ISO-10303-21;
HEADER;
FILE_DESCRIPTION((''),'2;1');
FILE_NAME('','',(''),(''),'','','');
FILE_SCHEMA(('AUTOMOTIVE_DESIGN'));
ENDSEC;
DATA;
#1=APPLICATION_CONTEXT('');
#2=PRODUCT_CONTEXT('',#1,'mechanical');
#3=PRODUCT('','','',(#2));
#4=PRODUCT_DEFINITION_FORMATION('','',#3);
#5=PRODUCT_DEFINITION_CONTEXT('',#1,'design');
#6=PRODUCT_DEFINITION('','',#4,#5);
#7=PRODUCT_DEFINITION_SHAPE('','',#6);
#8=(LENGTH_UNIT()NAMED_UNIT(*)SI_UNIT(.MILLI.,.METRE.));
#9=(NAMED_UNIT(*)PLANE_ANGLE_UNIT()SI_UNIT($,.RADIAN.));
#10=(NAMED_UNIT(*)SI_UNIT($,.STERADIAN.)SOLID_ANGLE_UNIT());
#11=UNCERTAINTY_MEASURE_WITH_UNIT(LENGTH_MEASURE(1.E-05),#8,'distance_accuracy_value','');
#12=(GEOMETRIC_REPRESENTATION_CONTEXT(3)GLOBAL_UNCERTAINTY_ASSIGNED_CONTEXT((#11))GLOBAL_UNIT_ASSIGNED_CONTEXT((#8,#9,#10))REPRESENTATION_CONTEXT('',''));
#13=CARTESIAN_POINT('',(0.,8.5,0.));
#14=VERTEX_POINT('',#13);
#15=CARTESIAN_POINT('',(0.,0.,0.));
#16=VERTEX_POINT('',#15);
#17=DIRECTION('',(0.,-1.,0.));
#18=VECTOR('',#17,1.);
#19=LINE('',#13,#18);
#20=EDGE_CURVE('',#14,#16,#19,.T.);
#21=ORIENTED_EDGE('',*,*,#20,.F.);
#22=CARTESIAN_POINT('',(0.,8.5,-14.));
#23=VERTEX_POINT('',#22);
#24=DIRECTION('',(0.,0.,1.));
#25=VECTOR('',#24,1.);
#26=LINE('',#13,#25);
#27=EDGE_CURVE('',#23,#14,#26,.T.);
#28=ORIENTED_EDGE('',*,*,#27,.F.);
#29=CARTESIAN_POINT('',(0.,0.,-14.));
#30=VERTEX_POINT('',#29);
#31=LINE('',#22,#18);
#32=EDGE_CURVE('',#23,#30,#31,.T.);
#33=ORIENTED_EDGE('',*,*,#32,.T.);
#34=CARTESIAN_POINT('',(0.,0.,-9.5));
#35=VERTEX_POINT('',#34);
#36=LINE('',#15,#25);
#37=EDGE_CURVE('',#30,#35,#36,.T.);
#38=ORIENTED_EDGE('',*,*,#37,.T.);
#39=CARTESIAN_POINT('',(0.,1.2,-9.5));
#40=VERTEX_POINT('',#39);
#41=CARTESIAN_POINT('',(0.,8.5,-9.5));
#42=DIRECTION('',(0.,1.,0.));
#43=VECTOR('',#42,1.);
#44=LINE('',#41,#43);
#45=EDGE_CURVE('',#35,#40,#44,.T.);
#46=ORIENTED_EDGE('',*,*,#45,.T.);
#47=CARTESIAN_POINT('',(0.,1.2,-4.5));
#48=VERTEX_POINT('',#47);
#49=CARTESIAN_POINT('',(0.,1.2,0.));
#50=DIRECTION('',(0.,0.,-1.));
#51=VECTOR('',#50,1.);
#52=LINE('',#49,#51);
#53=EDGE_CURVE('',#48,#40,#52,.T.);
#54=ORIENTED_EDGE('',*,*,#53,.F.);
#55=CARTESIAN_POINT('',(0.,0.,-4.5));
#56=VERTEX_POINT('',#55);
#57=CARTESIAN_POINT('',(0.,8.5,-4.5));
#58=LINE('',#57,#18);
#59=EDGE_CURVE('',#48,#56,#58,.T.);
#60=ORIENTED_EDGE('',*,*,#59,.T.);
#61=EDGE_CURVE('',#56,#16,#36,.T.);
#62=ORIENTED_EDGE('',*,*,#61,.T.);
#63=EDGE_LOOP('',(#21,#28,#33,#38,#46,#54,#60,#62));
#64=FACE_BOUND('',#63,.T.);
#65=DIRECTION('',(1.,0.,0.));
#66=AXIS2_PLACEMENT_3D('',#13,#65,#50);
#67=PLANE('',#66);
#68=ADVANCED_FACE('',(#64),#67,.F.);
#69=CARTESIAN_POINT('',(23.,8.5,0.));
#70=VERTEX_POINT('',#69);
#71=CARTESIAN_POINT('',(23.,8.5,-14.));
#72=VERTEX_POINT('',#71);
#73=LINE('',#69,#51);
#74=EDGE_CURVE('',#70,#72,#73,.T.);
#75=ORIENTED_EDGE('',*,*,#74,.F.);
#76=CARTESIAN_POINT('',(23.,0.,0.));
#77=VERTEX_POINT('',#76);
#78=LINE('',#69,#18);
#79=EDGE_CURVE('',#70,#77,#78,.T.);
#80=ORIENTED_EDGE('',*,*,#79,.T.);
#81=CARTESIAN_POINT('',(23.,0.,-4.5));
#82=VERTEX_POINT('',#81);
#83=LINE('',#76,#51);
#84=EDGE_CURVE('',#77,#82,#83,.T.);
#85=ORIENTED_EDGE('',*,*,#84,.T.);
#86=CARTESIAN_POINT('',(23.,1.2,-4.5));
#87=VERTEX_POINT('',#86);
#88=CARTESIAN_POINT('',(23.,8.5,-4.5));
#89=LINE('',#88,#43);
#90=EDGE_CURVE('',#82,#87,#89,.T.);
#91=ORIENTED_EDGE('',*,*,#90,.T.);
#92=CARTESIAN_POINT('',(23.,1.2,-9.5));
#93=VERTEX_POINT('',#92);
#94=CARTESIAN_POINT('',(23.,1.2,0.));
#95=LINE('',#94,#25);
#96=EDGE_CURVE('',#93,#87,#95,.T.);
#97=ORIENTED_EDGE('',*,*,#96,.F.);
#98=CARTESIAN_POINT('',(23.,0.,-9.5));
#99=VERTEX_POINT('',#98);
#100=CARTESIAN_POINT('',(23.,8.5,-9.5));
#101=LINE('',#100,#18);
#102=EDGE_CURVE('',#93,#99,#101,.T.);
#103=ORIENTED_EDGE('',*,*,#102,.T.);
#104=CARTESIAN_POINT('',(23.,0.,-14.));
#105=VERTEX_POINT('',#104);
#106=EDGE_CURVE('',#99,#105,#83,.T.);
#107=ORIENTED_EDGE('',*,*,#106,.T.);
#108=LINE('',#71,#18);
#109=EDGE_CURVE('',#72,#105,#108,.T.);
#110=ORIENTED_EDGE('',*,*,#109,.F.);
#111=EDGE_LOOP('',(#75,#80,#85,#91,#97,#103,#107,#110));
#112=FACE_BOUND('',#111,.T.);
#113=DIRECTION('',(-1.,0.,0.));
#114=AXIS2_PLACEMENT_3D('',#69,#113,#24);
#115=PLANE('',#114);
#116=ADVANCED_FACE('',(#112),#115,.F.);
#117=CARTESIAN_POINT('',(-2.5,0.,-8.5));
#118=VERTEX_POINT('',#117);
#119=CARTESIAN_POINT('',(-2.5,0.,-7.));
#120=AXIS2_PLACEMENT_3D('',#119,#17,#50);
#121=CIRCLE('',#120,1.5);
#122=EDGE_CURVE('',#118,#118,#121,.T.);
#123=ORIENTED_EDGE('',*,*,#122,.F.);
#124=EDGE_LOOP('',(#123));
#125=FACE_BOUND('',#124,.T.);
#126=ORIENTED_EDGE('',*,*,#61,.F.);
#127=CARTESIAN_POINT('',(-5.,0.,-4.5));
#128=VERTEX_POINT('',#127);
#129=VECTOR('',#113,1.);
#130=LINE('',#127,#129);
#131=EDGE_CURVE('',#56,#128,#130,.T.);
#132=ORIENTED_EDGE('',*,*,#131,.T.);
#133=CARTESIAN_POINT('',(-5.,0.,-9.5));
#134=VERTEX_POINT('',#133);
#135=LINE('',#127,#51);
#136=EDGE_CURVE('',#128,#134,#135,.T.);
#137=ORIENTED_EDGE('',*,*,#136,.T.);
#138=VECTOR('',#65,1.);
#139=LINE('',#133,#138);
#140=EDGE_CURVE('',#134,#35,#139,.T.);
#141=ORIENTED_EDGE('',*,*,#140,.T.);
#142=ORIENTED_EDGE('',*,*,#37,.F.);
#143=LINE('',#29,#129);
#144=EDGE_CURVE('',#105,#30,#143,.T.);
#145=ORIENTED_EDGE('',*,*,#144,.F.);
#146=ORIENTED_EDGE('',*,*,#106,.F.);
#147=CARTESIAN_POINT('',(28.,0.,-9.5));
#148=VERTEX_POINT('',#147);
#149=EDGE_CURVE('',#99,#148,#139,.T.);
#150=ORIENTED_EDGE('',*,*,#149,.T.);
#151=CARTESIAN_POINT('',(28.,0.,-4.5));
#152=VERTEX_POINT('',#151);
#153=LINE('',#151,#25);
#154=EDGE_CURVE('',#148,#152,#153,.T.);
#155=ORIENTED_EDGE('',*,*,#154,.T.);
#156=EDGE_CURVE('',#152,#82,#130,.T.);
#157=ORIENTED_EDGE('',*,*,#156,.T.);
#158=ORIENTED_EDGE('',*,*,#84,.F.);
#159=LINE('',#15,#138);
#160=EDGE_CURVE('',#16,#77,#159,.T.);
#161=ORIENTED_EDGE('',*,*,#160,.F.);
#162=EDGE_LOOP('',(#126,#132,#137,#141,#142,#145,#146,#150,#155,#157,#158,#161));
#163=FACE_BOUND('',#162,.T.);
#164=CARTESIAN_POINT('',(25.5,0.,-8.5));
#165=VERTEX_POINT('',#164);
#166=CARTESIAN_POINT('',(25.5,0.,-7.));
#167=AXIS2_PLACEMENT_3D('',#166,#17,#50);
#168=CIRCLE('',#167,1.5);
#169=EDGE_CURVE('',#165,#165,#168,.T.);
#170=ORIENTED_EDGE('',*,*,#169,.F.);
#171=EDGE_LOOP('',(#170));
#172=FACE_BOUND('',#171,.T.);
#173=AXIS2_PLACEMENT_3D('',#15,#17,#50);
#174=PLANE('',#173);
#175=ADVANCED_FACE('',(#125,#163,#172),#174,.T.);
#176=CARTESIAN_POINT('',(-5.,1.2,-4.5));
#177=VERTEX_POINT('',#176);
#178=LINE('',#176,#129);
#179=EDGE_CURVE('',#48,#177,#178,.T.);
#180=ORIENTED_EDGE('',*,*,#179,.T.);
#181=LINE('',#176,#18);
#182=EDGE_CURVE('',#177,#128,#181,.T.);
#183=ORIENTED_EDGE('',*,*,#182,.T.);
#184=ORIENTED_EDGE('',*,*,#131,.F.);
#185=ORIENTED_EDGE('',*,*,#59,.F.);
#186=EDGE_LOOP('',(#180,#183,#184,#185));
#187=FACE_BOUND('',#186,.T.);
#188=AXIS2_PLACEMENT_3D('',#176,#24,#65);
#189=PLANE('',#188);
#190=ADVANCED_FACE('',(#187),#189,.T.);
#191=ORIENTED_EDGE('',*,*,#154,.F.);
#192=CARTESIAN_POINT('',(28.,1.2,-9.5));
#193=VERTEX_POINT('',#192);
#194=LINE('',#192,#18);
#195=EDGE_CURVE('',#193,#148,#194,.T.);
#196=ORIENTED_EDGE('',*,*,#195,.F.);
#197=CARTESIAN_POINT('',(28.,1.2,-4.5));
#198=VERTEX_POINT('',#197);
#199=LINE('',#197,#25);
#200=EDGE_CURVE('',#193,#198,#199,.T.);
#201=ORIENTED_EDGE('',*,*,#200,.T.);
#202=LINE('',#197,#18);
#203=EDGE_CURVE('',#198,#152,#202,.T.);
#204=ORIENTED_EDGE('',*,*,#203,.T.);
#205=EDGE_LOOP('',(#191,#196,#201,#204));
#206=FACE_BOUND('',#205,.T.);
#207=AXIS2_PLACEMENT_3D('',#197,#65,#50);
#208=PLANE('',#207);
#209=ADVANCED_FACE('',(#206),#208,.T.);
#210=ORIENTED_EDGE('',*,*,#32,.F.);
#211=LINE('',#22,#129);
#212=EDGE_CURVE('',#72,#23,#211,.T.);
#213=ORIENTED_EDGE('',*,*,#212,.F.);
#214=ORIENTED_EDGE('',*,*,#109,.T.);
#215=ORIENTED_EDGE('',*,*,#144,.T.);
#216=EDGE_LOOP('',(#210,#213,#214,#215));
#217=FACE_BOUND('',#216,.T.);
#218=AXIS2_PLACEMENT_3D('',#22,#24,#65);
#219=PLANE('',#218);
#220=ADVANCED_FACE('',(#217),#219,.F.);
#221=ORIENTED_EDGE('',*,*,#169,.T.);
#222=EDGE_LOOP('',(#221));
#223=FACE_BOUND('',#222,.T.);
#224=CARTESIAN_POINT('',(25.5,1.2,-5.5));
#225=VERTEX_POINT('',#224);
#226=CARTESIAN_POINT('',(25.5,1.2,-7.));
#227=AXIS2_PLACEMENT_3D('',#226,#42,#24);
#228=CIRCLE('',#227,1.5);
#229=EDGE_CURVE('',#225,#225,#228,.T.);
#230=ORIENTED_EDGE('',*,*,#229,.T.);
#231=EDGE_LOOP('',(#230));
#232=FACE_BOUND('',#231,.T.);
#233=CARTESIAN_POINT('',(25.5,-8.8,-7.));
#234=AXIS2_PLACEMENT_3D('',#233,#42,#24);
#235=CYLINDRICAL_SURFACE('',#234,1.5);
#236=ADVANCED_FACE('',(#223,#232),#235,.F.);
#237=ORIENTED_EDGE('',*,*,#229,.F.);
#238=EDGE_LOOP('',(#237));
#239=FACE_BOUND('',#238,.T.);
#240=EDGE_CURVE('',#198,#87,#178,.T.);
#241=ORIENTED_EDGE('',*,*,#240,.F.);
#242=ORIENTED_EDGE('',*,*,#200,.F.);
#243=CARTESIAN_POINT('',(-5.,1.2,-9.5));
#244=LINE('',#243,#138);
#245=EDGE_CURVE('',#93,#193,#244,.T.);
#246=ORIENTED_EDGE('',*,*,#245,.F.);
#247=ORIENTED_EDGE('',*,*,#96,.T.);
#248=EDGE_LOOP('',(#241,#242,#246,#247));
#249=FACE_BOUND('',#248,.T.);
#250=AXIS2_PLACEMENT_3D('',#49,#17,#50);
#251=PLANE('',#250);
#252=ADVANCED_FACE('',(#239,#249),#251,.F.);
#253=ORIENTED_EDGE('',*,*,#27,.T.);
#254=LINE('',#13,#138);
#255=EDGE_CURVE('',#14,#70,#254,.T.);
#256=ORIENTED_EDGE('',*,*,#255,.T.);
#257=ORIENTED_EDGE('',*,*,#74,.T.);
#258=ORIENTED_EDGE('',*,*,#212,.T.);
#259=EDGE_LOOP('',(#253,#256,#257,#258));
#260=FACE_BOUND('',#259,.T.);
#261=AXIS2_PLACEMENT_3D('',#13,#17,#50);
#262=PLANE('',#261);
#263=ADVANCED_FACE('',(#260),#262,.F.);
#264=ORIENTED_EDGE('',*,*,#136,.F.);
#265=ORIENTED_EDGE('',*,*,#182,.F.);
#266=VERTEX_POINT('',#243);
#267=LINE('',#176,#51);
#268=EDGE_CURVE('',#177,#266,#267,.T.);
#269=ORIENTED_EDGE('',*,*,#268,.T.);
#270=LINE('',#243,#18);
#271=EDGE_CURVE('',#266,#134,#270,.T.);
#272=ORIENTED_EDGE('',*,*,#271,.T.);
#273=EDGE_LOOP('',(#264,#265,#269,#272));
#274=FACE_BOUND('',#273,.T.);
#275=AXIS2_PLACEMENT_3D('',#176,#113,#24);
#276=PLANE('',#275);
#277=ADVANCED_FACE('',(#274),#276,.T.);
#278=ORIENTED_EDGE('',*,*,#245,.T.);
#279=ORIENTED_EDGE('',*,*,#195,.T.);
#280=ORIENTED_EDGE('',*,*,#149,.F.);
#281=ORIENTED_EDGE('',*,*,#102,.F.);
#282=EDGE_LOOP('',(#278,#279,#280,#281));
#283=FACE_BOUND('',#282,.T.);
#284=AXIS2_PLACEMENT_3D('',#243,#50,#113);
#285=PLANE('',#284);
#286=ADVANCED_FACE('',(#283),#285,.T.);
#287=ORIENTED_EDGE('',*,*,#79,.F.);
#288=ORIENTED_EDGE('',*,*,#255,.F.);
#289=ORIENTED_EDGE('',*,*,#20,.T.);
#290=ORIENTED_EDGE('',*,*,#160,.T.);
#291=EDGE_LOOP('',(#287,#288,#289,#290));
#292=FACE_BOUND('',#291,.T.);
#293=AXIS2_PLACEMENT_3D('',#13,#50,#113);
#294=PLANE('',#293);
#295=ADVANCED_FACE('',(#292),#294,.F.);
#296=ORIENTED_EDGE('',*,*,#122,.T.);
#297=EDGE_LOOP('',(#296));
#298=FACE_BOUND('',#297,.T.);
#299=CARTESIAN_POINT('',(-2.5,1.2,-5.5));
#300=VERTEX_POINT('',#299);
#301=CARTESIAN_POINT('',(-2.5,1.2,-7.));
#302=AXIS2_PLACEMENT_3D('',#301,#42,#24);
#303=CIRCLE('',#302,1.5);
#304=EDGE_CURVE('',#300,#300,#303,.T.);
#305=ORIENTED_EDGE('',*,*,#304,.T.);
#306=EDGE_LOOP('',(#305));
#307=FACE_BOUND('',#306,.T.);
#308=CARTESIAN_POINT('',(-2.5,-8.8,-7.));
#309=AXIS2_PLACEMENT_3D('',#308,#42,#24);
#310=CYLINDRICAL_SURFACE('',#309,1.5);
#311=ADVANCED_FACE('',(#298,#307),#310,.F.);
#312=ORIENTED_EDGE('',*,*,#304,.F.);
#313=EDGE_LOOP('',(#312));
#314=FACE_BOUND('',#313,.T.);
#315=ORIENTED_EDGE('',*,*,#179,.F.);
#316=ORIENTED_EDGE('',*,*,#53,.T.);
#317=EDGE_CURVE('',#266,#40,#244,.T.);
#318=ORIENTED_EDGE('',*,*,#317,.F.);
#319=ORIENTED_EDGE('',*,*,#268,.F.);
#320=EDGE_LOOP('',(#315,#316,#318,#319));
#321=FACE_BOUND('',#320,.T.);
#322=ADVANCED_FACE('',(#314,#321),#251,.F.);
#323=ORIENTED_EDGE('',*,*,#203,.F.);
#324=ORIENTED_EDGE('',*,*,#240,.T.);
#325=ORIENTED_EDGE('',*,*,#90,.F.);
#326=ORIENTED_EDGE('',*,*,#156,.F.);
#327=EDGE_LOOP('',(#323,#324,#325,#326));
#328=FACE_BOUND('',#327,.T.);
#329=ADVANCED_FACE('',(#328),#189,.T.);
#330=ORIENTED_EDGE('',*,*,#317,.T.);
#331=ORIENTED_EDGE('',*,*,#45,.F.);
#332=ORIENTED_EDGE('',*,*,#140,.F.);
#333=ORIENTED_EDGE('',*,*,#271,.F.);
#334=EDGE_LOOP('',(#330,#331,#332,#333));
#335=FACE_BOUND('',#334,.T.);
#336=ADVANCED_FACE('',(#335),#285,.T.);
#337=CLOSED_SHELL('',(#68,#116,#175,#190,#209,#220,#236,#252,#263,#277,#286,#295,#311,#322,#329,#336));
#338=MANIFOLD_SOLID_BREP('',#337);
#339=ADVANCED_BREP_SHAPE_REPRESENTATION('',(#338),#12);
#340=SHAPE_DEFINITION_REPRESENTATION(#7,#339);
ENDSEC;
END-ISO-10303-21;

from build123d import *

# Parameters (mm, degrees)
SKETCH1_W           = 23
SKETCH1_H           = 14
BOSS_EXTRUDE1_DEPTH = 8.5
SKETCH2_W           = 33
SKETCH2_H           = 5
BOSS_EXTRUDE2_DEPTH = 1.2
SKETCH3_R           = 1.5
CUT_EXTRUDE1_DEPTH  = 10


with BuildPart() as part:
    # Sketch1 → Boss-Extrude1 (new body)
    with BuildSketch(Plane(origin=(0, 0, 0), x_dir=(1, 0, 0), z_dir=(0, 1, 0))):
        with Locations((11.5, 7)):
            Rectangle(SKETCH1_W, SKETCH1_H)
    extrude(amount=BOSS_EXTRUDE1_DEPTH)

    # Sketch2 → Boss-Extrude2 (add)
    with BuildSketch(Plane.XZ):
        with Locations((11.5, -7)):
            Rectangle(SKETCH2_W, SKETCH2_H)
    extrude(amount=-BOSS_EXTRUDE2_DEPTH)

    # Sketch3 → Cut-Extrude1 (cut)
    with BuildSketch(Plane(origin=(0, 1.2, 0), x_dir=(1, 0, 0), z_dir=(0, 1, 0))):
        with Locations(Location((-2.5, 7, 0), (0, 0, 270))):
            Circle(SKETCH3_R)
        with Locations(Location((25.5, 7, 0), (0, 0, 270))):
            Circle(SKETCH3_R)
    extrude(amount=-CUT_EXTRUDE1_DEPTH, mode=Mode.SUBTRACT)


solid = part.part
